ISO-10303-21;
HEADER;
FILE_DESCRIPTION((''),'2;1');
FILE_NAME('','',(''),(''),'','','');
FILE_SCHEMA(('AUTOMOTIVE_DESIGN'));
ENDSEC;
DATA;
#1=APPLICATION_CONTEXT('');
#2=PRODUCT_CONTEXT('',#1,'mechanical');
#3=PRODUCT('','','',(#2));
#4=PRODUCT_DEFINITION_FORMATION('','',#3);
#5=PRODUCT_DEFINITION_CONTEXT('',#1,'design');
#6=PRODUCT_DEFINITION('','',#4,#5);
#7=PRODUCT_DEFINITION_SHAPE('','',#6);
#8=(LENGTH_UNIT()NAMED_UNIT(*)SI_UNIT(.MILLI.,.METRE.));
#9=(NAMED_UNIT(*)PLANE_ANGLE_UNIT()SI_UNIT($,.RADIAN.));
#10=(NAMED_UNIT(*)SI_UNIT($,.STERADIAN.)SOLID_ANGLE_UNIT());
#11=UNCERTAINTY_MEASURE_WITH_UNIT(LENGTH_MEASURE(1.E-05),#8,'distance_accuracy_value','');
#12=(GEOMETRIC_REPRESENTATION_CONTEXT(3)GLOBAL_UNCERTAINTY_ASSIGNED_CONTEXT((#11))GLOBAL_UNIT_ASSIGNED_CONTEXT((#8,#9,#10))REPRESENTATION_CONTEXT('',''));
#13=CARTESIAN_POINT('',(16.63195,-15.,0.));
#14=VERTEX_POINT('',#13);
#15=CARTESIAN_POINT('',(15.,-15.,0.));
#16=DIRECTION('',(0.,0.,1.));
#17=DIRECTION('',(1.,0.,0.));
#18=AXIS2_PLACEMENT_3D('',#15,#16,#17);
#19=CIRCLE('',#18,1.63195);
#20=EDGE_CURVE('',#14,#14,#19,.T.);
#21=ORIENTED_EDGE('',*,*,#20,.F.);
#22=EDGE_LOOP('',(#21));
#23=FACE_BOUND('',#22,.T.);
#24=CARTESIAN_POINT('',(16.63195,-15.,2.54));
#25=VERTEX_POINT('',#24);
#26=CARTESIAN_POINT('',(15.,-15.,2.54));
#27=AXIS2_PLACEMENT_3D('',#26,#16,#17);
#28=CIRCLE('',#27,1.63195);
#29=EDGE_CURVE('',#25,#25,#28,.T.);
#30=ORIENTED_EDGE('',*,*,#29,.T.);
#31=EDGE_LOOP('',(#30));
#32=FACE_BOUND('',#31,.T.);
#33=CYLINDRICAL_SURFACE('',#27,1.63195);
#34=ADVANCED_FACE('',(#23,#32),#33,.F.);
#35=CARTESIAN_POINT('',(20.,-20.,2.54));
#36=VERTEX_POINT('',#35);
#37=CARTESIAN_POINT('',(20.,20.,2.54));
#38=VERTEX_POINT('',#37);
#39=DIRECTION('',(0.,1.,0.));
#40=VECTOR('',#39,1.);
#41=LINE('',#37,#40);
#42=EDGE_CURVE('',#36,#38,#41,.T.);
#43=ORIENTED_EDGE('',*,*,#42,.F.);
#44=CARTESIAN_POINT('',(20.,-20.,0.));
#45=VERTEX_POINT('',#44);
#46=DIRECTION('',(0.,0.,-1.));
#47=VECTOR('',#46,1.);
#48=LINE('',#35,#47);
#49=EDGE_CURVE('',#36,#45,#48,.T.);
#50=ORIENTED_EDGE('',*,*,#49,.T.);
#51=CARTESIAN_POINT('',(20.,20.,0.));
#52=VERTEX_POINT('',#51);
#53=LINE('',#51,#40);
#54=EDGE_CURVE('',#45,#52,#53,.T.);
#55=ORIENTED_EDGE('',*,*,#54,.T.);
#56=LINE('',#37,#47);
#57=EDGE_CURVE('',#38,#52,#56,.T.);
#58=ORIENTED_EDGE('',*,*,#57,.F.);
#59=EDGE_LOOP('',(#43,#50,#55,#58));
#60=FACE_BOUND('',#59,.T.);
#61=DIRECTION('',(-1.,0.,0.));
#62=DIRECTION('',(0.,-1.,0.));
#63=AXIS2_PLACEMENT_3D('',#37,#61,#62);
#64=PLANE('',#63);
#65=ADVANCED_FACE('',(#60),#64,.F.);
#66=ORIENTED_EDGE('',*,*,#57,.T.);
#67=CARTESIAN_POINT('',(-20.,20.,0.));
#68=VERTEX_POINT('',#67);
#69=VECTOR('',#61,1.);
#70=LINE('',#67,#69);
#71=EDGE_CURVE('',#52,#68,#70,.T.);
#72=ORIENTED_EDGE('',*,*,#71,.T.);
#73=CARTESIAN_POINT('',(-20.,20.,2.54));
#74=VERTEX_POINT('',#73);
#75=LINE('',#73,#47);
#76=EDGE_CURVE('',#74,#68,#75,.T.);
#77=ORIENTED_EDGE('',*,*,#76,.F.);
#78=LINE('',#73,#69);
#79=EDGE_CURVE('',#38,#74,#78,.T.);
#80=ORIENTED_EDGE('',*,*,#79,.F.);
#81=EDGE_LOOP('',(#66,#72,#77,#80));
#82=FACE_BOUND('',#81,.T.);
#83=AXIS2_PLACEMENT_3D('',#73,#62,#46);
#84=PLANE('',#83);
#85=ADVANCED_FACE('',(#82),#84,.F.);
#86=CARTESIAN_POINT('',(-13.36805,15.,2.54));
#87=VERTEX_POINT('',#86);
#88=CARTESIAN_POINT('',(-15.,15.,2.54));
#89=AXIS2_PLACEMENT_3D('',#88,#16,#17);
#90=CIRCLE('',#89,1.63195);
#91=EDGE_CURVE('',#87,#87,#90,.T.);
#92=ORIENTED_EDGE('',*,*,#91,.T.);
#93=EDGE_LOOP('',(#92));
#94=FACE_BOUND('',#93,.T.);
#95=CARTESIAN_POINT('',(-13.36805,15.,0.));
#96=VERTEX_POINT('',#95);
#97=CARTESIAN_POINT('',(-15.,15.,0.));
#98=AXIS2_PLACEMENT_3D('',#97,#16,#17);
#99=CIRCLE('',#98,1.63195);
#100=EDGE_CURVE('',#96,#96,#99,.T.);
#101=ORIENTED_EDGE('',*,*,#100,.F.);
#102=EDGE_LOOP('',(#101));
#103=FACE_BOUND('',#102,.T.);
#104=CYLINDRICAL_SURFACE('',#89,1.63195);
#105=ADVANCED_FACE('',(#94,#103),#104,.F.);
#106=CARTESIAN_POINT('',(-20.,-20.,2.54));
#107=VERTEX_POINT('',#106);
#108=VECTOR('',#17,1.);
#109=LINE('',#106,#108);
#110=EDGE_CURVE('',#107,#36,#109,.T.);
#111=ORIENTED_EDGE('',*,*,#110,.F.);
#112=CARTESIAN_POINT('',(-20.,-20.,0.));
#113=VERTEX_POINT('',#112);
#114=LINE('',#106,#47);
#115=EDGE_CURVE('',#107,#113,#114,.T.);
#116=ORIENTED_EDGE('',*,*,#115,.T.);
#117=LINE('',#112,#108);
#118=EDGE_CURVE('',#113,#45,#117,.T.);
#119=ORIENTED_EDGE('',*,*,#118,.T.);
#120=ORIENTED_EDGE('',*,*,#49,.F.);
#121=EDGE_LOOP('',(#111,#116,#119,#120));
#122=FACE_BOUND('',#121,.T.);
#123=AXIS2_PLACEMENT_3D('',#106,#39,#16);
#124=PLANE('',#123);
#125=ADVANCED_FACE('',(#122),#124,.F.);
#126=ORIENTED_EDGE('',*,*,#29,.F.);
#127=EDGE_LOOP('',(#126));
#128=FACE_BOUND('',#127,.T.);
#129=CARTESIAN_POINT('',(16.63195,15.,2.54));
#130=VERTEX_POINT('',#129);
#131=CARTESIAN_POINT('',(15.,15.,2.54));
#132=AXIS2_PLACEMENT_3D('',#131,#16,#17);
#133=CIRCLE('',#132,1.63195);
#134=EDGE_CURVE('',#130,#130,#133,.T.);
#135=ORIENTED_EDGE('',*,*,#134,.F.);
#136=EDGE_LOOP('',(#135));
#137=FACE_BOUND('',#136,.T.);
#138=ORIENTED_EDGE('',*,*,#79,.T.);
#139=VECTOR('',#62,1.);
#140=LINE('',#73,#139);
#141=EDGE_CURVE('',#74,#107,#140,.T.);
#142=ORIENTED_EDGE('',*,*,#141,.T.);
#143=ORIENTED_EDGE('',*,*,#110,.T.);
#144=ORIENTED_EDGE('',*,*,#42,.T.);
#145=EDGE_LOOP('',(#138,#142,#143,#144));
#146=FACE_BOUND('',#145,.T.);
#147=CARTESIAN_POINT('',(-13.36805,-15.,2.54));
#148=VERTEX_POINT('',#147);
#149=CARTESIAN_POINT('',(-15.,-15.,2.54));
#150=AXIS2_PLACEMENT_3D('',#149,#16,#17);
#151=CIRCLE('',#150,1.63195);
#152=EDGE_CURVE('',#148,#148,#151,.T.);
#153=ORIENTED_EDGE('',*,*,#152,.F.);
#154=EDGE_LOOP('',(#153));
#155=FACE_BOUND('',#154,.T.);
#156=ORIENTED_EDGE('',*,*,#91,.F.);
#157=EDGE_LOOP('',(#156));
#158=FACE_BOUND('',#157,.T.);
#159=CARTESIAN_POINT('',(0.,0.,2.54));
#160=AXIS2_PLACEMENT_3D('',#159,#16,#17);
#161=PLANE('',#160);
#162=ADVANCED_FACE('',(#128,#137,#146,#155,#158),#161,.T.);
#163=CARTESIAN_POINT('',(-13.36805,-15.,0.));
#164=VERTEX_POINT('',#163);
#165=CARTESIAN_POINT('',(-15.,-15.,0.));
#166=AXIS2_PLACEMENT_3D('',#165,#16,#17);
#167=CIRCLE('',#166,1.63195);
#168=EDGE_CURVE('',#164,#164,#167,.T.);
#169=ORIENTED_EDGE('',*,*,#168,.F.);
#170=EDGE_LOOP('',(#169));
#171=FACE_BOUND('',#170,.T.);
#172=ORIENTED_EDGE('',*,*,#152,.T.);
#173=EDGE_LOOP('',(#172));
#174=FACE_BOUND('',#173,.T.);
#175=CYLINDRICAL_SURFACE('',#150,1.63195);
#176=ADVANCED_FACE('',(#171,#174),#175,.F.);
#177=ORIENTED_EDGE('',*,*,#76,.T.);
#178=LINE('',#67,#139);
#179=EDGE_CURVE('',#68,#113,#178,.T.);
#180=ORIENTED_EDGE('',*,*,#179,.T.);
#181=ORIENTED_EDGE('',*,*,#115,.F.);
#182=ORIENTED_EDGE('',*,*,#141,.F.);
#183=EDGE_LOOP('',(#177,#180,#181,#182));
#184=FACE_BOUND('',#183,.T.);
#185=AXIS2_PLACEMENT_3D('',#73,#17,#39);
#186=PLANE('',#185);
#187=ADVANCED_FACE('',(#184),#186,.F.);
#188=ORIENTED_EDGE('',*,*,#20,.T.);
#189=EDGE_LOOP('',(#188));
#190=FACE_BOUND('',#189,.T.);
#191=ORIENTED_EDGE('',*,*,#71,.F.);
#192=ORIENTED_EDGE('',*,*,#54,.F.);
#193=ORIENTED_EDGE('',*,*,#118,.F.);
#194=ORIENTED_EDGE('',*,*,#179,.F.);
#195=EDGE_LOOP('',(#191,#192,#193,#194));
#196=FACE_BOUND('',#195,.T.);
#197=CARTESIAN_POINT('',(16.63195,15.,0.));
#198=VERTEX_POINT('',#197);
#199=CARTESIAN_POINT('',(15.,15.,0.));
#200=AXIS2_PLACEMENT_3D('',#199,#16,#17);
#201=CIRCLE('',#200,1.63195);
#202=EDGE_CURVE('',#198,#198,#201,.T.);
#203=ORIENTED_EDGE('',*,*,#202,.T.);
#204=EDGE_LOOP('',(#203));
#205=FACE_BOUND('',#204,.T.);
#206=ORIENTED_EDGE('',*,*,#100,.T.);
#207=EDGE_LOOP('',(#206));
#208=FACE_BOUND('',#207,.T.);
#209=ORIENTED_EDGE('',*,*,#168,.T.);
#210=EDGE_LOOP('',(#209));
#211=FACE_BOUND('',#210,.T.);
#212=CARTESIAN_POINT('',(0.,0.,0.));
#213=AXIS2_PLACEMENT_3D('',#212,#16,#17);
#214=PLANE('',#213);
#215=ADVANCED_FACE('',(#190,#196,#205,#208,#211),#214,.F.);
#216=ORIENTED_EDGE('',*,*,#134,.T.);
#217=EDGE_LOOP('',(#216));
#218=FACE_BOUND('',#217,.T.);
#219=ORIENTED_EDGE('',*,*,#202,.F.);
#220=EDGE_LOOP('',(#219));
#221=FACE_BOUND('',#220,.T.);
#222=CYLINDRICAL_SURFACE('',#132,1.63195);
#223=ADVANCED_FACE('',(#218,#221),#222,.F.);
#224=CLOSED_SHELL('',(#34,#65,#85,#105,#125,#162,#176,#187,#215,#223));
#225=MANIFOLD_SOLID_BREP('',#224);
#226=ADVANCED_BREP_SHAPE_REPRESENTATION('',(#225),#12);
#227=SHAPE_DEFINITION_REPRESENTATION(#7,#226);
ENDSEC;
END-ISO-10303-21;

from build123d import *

# Parameters (mm, degrees)
SKETCH1_W             = 40
SKETCH1_H             = 40
BOSS_EXTRUDE1_DEPTH   = 2.54
F_4_CLEARANCE_HOLE1_D = 3.2639


with BuildPart() as part:
    # Sketch1 → Boss-Extrude1 (new body)
    with BuildSketch(Plane.XY):
        Rectangle(SKETCH1_W, SKETCH1_H)
    extrude(amount=BOSS_EXTRUDE1_DEPTH)

    # #4 Clearance Hole1 (through all)
    with Locations(Plane.XY.offset(2.54)):
        with Locations((-15, 15), (15, 15), (15, -15), (-15, -15)):
            Hole(F_4_CLEARANCE_HOLE1_D / 2)


solid = part.part
